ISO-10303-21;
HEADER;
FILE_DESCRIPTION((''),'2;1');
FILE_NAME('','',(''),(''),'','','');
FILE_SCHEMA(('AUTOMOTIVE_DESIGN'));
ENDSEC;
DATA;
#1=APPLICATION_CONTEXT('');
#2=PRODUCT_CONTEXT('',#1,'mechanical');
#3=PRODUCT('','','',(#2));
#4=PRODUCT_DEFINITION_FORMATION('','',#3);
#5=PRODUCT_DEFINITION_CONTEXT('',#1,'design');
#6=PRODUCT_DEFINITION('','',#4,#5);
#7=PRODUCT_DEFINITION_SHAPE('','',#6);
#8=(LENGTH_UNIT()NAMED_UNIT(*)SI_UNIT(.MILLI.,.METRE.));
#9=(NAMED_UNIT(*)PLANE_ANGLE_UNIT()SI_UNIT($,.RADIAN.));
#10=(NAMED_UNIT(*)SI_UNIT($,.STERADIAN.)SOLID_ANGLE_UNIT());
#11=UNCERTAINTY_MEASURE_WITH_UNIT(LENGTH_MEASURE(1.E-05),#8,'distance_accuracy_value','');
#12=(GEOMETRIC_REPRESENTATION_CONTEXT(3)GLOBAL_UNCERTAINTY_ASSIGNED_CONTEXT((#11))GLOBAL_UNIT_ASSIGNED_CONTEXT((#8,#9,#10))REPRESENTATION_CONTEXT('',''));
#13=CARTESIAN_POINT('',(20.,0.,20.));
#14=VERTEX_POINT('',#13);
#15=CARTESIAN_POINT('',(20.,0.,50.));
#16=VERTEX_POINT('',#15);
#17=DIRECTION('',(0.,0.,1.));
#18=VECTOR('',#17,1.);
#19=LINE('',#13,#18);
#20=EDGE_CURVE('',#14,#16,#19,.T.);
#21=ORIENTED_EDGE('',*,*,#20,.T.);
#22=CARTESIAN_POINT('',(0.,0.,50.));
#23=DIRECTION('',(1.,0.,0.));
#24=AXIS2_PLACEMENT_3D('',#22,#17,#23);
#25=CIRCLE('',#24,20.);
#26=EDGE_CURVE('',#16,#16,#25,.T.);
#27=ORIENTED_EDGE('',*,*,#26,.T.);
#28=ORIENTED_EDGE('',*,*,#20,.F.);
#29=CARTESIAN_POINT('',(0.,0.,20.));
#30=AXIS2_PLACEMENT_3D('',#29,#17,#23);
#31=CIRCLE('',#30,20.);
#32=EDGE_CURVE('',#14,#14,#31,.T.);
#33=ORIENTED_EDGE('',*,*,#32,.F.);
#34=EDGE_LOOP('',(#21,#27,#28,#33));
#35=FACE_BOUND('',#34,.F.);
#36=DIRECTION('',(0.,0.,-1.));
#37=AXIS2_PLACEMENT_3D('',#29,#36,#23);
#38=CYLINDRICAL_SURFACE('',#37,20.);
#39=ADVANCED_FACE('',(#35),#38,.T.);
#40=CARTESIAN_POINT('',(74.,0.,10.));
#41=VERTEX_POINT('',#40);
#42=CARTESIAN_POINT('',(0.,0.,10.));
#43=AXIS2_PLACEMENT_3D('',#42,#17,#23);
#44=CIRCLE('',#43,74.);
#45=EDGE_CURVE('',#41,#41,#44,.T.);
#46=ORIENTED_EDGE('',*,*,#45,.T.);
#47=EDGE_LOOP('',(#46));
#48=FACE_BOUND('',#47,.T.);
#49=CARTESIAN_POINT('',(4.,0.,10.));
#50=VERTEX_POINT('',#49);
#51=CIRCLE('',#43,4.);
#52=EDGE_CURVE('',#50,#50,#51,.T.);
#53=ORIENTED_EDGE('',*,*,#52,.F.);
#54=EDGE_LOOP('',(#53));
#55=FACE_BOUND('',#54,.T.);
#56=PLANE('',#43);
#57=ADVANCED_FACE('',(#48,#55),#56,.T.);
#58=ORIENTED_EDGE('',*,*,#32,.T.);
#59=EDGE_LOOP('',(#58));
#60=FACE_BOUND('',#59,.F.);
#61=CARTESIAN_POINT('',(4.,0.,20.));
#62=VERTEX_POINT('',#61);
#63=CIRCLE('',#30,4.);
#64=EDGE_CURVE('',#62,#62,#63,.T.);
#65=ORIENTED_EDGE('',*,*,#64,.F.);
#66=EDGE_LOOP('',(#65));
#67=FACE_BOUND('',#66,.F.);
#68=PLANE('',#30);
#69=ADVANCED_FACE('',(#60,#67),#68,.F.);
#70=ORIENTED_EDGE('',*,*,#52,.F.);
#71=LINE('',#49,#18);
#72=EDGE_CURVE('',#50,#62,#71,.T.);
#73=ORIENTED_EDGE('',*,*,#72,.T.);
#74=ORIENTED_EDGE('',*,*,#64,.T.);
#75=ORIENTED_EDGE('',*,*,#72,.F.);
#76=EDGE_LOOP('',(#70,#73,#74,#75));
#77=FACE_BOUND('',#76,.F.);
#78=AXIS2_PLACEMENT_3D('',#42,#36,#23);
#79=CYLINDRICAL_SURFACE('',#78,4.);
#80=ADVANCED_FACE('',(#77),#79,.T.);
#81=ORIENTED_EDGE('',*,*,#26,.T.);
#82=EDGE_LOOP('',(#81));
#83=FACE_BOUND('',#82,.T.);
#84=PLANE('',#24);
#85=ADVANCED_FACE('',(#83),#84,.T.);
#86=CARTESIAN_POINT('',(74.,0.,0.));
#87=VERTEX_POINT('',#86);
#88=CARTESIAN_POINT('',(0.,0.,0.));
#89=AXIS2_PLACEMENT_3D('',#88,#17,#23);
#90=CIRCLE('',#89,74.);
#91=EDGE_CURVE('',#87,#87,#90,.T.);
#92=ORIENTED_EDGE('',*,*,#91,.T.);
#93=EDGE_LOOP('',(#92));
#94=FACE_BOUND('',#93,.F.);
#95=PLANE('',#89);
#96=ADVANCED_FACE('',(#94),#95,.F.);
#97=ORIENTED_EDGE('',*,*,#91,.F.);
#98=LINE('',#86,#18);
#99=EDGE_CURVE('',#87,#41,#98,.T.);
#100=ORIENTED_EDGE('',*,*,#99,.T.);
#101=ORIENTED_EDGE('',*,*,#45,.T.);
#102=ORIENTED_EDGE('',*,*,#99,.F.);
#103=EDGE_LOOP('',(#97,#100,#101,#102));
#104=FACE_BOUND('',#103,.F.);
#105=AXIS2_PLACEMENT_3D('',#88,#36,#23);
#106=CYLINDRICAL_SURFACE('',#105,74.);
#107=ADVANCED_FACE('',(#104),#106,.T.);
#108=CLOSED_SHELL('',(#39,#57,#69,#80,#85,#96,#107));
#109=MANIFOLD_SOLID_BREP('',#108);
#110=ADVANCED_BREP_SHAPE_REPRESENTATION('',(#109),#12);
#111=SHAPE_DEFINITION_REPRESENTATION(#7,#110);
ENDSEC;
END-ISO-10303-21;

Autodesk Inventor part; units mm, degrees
ref_plane "YZ Plane" through (0, 0, 0) normal (1, 0, 0) x (0, 1, 0)
ref_plane "XZ Plane" through (0, 0, 0) normal (0, 1, 0) x (-1, 0, 0)
ref_plane "XY Plane" through (0, 0, 0) normal (0, 0, 1) x (1, 0, 0)
sketch "Sketch1" plane through (0, 0, 0) normal (0, 0, 1) x (1, 0, 0)
  circle A0 centre (0, 0) radius 74
extrude "Extrusion1" add sketch "Sketch1" along normal blind 10
sketch "Sketch2" plane through (0, 0, 10) normal (0, 0, 1) x (1, 0, 0)
  circle A0 centre (0, 0) radius 4
  dimension "d3" = 8
extrude "Extrusion2" add sketch "Sketch2" along normal blind 10
sketch "Sketch3" plane through (0, 0, 20) normal (0, 0, 1) x (1, 0, 0)
  circle A0 centre (0, 0) radius 4 projected
  circle A1 centre (0, 0) radius 20
  dimension "d6" = 40
extrude "Extrusion3" add sketch "Sketch3" along normal blind 30 contours A0 | A1
properties part number "Project_Rough_disc"
